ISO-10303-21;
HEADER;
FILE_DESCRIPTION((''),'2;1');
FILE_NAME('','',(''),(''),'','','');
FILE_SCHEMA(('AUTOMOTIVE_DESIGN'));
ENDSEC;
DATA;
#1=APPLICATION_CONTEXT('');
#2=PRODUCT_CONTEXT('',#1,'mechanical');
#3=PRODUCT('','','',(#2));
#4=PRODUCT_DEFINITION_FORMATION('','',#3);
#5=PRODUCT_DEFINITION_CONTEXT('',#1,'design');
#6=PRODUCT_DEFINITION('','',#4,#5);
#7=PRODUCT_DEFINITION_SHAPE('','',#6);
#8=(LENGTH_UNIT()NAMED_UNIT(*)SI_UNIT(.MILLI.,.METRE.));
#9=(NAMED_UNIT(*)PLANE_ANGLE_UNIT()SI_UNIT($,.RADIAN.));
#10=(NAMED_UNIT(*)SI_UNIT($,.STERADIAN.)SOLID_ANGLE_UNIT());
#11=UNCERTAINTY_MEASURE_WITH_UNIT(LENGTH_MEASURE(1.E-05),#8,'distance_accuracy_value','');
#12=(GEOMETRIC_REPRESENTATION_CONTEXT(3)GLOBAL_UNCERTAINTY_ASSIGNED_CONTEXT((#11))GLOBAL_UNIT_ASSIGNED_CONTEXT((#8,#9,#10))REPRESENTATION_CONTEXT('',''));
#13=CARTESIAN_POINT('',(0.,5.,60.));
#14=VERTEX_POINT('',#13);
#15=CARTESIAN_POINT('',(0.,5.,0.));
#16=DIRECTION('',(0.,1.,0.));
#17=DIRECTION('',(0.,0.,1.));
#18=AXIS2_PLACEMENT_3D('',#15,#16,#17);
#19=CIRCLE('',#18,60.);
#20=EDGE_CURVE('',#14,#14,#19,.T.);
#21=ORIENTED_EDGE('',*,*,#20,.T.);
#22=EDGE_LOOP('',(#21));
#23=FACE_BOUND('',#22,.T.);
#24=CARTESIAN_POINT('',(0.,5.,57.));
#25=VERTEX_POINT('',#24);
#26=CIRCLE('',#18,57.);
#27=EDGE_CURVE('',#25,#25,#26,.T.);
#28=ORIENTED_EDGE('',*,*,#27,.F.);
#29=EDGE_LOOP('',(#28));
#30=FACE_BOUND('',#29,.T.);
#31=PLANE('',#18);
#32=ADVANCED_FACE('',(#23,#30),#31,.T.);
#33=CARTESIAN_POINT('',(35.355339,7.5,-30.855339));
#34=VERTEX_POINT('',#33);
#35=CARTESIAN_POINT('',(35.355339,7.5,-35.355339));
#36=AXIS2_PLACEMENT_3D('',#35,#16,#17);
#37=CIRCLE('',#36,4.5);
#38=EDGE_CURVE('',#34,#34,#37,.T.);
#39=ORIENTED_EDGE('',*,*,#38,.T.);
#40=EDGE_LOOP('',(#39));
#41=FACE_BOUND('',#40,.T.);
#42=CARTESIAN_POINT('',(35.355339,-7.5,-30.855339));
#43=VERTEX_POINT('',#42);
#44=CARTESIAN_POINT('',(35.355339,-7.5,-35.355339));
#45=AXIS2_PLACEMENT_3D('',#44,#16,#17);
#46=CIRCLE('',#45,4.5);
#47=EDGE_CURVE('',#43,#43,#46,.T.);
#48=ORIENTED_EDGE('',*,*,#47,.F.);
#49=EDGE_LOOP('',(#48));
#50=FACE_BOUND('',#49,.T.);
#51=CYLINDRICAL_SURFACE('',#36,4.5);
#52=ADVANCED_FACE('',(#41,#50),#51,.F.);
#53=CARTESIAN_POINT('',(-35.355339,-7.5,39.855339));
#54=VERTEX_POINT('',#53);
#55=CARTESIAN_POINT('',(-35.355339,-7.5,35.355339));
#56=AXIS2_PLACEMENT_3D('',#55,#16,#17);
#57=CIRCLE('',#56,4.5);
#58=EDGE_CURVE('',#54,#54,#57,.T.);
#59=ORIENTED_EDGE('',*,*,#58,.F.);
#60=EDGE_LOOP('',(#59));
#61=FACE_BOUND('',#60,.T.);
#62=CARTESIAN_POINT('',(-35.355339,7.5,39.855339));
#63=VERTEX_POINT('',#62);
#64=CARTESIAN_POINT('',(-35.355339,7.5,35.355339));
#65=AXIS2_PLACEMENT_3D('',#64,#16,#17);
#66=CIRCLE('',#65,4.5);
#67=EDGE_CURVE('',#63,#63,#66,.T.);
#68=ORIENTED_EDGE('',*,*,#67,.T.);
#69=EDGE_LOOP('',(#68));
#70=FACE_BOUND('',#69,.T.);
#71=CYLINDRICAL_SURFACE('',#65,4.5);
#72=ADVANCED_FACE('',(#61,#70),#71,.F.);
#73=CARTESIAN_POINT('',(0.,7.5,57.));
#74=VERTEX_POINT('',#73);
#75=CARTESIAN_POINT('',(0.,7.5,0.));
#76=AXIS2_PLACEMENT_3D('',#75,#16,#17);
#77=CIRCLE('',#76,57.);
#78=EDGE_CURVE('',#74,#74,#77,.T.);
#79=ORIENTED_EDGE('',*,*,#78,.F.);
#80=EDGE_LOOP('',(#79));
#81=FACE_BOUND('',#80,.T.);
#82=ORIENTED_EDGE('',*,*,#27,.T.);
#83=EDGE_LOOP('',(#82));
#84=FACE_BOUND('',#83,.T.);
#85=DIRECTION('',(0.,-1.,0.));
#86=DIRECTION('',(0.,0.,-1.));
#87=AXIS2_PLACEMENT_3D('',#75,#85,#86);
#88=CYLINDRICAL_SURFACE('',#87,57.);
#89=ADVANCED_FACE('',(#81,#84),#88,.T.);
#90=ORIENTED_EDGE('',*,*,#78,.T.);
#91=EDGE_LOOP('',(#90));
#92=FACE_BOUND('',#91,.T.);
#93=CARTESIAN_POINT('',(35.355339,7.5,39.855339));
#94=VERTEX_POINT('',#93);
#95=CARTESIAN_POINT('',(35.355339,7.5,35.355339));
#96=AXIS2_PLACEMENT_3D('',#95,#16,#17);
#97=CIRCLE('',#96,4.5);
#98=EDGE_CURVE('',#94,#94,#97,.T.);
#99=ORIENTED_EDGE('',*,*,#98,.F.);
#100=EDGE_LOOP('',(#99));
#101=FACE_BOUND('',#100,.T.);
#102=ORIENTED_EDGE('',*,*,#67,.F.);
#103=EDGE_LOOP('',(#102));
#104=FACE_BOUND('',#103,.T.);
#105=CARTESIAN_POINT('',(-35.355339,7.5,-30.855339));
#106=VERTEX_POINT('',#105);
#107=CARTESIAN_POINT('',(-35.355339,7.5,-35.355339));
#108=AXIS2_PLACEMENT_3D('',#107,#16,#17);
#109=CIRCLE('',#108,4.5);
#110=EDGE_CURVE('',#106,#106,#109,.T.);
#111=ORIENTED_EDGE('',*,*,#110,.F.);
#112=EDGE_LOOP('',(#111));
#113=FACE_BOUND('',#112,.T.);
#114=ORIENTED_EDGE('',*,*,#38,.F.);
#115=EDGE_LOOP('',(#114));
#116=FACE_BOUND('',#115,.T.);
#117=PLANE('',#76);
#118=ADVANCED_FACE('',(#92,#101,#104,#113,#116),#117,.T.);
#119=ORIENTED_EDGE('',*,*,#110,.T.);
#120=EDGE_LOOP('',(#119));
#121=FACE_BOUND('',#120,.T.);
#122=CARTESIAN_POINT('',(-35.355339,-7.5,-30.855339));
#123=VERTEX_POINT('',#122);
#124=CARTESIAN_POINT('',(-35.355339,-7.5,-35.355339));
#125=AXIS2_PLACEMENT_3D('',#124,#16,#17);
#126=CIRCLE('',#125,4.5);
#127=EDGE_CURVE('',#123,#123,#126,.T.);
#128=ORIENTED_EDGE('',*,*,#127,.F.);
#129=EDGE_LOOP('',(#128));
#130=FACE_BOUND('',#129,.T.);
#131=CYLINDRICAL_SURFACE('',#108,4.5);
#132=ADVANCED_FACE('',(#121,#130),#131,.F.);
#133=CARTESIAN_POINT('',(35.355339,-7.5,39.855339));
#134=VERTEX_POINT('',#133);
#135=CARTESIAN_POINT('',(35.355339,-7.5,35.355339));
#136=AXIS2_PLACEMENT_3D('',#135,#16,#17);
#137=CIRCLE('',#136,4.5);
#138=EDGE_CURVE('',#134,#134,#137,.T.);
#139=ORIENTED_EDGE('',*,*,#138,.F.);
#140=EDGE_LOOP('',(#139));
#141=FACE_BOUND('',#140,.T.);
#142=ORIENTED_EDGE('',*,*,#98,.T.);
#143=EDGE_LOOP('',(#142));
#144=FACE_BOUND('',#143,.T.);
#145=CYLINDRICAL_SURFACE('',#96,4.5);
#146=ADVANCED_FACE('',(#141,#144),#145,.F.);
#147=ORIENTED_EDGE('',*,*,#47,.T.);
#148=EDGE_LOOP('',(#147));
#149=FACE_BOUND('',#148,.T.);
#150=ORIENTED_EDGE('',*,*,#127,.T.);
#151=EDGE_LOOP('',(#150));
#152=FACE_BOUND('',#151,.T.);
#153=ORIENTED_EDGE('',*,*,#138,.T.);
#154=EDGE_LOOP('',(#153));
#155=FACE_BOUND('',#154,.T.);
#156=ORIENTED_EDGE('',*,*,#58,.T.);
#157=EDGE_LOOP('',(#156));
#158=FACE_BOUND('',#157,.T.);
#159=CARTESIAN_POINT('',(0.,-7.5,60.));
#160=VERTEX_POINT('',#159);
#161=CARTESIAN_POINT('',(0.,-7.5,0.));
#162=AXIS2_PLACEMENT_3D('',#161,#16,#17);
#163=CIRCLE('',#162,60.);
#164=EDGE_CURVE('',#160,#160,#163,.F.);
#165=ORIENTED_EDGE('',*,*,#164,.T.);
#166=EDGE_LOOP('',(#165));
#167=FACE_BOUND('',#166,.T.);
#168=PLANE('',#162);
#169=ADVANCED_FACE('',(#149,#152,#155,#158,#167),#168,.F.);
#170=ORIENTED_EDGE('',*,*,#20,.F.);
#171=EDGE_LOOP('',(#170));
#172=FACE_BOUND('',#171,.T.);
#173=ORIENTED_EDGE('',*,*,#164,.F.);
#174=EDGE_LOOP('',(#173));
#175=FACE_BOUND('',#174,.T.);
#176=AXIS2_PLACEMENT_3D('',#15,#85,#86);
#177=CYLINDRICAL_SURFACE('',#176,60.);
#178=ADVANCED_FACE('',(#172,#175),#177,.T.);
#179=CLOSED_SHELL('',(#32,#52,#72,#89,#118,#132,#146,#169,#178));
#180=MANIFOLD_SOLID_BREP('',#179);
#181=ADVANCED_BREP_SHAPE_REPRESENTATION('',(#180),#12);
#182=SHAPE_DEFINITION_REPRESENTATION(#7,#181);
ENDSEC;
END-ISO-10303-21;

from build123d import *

# Parameters (mm, degrees)
SKETCH1_R            = 57
EXTRUDE4_DEPTH       = 7.5
EXTRUDE5_DEPTH       = 5
EXTRUDE5_DEPTH_BACK  = 7.5
SKETCH_R             = 60
SKETCH_R_2           = 57
M8_CLEARANCE_HOLE3_D = 9
CIRPATTERN1_COUNT    = 4


with BuildPart() as part:
    # Sketch1 → Extrude4 (new, symmetric)
    with BuildSketch(Plane(origin=(0, 0, 0), x_dir=(1, 0, 0), z_dir=(0, 1, 0))):
        with Locations(Location((0, 0, 0), (0, 0, 270))):
            Circle(SKETCH1_R)
    extrude(amount=EXTRUDE4_DEPTH, both=True)

    # Sketch → Extrude5 (add, two sides: drawn at the far end of the back side and taken through both)
    with BuildSketch(Plane(origin=(0, 0, 0), x_dir=(1, 0, 0), z_dir=(0, 1, 0)).offset(-EXTRUDE5_DEPTH_BACK)):
        with Locations(Location((0, 0, 0), (0, 0, 270))):
            Circle(SKETCH_R)
        with Locations(Location((0, 0, 0), (0, 0, 270))):
            Circle(SKETCH_R_2, mode=Mode.SUBTRACT)
    extrude(amount=EXTRUDE5_DEPTH + EXTRUDE5_DEPTH_BACK)

    # M8 Clearance Hole3 (through all)
    with Locations(Plane(origin=(0, 7.5, 0), x_dir=(1, 0, 0), z_dir=(0, 1, 0))):
        with Locations((-35.355339059, -35.355339059)):
            m8_clearance_hole3 = Hole(M8_CLEARANCE_HOLE3_D / 2)

    # CirPattern1: M8 Clearance Hole3 ×4 about axis
    cirpattern1_axis = Axis((0, 0, 0), (0, 1, 0))
    for i in range(1, CIRPATTERN1_COUNT):
        add(m8_clearance_hole3.rotate(cirpattern1_axis, i * 360 / CIRPATTERN1_COUNT), mode=Mode.SUBTRACT)


solid = part.part
